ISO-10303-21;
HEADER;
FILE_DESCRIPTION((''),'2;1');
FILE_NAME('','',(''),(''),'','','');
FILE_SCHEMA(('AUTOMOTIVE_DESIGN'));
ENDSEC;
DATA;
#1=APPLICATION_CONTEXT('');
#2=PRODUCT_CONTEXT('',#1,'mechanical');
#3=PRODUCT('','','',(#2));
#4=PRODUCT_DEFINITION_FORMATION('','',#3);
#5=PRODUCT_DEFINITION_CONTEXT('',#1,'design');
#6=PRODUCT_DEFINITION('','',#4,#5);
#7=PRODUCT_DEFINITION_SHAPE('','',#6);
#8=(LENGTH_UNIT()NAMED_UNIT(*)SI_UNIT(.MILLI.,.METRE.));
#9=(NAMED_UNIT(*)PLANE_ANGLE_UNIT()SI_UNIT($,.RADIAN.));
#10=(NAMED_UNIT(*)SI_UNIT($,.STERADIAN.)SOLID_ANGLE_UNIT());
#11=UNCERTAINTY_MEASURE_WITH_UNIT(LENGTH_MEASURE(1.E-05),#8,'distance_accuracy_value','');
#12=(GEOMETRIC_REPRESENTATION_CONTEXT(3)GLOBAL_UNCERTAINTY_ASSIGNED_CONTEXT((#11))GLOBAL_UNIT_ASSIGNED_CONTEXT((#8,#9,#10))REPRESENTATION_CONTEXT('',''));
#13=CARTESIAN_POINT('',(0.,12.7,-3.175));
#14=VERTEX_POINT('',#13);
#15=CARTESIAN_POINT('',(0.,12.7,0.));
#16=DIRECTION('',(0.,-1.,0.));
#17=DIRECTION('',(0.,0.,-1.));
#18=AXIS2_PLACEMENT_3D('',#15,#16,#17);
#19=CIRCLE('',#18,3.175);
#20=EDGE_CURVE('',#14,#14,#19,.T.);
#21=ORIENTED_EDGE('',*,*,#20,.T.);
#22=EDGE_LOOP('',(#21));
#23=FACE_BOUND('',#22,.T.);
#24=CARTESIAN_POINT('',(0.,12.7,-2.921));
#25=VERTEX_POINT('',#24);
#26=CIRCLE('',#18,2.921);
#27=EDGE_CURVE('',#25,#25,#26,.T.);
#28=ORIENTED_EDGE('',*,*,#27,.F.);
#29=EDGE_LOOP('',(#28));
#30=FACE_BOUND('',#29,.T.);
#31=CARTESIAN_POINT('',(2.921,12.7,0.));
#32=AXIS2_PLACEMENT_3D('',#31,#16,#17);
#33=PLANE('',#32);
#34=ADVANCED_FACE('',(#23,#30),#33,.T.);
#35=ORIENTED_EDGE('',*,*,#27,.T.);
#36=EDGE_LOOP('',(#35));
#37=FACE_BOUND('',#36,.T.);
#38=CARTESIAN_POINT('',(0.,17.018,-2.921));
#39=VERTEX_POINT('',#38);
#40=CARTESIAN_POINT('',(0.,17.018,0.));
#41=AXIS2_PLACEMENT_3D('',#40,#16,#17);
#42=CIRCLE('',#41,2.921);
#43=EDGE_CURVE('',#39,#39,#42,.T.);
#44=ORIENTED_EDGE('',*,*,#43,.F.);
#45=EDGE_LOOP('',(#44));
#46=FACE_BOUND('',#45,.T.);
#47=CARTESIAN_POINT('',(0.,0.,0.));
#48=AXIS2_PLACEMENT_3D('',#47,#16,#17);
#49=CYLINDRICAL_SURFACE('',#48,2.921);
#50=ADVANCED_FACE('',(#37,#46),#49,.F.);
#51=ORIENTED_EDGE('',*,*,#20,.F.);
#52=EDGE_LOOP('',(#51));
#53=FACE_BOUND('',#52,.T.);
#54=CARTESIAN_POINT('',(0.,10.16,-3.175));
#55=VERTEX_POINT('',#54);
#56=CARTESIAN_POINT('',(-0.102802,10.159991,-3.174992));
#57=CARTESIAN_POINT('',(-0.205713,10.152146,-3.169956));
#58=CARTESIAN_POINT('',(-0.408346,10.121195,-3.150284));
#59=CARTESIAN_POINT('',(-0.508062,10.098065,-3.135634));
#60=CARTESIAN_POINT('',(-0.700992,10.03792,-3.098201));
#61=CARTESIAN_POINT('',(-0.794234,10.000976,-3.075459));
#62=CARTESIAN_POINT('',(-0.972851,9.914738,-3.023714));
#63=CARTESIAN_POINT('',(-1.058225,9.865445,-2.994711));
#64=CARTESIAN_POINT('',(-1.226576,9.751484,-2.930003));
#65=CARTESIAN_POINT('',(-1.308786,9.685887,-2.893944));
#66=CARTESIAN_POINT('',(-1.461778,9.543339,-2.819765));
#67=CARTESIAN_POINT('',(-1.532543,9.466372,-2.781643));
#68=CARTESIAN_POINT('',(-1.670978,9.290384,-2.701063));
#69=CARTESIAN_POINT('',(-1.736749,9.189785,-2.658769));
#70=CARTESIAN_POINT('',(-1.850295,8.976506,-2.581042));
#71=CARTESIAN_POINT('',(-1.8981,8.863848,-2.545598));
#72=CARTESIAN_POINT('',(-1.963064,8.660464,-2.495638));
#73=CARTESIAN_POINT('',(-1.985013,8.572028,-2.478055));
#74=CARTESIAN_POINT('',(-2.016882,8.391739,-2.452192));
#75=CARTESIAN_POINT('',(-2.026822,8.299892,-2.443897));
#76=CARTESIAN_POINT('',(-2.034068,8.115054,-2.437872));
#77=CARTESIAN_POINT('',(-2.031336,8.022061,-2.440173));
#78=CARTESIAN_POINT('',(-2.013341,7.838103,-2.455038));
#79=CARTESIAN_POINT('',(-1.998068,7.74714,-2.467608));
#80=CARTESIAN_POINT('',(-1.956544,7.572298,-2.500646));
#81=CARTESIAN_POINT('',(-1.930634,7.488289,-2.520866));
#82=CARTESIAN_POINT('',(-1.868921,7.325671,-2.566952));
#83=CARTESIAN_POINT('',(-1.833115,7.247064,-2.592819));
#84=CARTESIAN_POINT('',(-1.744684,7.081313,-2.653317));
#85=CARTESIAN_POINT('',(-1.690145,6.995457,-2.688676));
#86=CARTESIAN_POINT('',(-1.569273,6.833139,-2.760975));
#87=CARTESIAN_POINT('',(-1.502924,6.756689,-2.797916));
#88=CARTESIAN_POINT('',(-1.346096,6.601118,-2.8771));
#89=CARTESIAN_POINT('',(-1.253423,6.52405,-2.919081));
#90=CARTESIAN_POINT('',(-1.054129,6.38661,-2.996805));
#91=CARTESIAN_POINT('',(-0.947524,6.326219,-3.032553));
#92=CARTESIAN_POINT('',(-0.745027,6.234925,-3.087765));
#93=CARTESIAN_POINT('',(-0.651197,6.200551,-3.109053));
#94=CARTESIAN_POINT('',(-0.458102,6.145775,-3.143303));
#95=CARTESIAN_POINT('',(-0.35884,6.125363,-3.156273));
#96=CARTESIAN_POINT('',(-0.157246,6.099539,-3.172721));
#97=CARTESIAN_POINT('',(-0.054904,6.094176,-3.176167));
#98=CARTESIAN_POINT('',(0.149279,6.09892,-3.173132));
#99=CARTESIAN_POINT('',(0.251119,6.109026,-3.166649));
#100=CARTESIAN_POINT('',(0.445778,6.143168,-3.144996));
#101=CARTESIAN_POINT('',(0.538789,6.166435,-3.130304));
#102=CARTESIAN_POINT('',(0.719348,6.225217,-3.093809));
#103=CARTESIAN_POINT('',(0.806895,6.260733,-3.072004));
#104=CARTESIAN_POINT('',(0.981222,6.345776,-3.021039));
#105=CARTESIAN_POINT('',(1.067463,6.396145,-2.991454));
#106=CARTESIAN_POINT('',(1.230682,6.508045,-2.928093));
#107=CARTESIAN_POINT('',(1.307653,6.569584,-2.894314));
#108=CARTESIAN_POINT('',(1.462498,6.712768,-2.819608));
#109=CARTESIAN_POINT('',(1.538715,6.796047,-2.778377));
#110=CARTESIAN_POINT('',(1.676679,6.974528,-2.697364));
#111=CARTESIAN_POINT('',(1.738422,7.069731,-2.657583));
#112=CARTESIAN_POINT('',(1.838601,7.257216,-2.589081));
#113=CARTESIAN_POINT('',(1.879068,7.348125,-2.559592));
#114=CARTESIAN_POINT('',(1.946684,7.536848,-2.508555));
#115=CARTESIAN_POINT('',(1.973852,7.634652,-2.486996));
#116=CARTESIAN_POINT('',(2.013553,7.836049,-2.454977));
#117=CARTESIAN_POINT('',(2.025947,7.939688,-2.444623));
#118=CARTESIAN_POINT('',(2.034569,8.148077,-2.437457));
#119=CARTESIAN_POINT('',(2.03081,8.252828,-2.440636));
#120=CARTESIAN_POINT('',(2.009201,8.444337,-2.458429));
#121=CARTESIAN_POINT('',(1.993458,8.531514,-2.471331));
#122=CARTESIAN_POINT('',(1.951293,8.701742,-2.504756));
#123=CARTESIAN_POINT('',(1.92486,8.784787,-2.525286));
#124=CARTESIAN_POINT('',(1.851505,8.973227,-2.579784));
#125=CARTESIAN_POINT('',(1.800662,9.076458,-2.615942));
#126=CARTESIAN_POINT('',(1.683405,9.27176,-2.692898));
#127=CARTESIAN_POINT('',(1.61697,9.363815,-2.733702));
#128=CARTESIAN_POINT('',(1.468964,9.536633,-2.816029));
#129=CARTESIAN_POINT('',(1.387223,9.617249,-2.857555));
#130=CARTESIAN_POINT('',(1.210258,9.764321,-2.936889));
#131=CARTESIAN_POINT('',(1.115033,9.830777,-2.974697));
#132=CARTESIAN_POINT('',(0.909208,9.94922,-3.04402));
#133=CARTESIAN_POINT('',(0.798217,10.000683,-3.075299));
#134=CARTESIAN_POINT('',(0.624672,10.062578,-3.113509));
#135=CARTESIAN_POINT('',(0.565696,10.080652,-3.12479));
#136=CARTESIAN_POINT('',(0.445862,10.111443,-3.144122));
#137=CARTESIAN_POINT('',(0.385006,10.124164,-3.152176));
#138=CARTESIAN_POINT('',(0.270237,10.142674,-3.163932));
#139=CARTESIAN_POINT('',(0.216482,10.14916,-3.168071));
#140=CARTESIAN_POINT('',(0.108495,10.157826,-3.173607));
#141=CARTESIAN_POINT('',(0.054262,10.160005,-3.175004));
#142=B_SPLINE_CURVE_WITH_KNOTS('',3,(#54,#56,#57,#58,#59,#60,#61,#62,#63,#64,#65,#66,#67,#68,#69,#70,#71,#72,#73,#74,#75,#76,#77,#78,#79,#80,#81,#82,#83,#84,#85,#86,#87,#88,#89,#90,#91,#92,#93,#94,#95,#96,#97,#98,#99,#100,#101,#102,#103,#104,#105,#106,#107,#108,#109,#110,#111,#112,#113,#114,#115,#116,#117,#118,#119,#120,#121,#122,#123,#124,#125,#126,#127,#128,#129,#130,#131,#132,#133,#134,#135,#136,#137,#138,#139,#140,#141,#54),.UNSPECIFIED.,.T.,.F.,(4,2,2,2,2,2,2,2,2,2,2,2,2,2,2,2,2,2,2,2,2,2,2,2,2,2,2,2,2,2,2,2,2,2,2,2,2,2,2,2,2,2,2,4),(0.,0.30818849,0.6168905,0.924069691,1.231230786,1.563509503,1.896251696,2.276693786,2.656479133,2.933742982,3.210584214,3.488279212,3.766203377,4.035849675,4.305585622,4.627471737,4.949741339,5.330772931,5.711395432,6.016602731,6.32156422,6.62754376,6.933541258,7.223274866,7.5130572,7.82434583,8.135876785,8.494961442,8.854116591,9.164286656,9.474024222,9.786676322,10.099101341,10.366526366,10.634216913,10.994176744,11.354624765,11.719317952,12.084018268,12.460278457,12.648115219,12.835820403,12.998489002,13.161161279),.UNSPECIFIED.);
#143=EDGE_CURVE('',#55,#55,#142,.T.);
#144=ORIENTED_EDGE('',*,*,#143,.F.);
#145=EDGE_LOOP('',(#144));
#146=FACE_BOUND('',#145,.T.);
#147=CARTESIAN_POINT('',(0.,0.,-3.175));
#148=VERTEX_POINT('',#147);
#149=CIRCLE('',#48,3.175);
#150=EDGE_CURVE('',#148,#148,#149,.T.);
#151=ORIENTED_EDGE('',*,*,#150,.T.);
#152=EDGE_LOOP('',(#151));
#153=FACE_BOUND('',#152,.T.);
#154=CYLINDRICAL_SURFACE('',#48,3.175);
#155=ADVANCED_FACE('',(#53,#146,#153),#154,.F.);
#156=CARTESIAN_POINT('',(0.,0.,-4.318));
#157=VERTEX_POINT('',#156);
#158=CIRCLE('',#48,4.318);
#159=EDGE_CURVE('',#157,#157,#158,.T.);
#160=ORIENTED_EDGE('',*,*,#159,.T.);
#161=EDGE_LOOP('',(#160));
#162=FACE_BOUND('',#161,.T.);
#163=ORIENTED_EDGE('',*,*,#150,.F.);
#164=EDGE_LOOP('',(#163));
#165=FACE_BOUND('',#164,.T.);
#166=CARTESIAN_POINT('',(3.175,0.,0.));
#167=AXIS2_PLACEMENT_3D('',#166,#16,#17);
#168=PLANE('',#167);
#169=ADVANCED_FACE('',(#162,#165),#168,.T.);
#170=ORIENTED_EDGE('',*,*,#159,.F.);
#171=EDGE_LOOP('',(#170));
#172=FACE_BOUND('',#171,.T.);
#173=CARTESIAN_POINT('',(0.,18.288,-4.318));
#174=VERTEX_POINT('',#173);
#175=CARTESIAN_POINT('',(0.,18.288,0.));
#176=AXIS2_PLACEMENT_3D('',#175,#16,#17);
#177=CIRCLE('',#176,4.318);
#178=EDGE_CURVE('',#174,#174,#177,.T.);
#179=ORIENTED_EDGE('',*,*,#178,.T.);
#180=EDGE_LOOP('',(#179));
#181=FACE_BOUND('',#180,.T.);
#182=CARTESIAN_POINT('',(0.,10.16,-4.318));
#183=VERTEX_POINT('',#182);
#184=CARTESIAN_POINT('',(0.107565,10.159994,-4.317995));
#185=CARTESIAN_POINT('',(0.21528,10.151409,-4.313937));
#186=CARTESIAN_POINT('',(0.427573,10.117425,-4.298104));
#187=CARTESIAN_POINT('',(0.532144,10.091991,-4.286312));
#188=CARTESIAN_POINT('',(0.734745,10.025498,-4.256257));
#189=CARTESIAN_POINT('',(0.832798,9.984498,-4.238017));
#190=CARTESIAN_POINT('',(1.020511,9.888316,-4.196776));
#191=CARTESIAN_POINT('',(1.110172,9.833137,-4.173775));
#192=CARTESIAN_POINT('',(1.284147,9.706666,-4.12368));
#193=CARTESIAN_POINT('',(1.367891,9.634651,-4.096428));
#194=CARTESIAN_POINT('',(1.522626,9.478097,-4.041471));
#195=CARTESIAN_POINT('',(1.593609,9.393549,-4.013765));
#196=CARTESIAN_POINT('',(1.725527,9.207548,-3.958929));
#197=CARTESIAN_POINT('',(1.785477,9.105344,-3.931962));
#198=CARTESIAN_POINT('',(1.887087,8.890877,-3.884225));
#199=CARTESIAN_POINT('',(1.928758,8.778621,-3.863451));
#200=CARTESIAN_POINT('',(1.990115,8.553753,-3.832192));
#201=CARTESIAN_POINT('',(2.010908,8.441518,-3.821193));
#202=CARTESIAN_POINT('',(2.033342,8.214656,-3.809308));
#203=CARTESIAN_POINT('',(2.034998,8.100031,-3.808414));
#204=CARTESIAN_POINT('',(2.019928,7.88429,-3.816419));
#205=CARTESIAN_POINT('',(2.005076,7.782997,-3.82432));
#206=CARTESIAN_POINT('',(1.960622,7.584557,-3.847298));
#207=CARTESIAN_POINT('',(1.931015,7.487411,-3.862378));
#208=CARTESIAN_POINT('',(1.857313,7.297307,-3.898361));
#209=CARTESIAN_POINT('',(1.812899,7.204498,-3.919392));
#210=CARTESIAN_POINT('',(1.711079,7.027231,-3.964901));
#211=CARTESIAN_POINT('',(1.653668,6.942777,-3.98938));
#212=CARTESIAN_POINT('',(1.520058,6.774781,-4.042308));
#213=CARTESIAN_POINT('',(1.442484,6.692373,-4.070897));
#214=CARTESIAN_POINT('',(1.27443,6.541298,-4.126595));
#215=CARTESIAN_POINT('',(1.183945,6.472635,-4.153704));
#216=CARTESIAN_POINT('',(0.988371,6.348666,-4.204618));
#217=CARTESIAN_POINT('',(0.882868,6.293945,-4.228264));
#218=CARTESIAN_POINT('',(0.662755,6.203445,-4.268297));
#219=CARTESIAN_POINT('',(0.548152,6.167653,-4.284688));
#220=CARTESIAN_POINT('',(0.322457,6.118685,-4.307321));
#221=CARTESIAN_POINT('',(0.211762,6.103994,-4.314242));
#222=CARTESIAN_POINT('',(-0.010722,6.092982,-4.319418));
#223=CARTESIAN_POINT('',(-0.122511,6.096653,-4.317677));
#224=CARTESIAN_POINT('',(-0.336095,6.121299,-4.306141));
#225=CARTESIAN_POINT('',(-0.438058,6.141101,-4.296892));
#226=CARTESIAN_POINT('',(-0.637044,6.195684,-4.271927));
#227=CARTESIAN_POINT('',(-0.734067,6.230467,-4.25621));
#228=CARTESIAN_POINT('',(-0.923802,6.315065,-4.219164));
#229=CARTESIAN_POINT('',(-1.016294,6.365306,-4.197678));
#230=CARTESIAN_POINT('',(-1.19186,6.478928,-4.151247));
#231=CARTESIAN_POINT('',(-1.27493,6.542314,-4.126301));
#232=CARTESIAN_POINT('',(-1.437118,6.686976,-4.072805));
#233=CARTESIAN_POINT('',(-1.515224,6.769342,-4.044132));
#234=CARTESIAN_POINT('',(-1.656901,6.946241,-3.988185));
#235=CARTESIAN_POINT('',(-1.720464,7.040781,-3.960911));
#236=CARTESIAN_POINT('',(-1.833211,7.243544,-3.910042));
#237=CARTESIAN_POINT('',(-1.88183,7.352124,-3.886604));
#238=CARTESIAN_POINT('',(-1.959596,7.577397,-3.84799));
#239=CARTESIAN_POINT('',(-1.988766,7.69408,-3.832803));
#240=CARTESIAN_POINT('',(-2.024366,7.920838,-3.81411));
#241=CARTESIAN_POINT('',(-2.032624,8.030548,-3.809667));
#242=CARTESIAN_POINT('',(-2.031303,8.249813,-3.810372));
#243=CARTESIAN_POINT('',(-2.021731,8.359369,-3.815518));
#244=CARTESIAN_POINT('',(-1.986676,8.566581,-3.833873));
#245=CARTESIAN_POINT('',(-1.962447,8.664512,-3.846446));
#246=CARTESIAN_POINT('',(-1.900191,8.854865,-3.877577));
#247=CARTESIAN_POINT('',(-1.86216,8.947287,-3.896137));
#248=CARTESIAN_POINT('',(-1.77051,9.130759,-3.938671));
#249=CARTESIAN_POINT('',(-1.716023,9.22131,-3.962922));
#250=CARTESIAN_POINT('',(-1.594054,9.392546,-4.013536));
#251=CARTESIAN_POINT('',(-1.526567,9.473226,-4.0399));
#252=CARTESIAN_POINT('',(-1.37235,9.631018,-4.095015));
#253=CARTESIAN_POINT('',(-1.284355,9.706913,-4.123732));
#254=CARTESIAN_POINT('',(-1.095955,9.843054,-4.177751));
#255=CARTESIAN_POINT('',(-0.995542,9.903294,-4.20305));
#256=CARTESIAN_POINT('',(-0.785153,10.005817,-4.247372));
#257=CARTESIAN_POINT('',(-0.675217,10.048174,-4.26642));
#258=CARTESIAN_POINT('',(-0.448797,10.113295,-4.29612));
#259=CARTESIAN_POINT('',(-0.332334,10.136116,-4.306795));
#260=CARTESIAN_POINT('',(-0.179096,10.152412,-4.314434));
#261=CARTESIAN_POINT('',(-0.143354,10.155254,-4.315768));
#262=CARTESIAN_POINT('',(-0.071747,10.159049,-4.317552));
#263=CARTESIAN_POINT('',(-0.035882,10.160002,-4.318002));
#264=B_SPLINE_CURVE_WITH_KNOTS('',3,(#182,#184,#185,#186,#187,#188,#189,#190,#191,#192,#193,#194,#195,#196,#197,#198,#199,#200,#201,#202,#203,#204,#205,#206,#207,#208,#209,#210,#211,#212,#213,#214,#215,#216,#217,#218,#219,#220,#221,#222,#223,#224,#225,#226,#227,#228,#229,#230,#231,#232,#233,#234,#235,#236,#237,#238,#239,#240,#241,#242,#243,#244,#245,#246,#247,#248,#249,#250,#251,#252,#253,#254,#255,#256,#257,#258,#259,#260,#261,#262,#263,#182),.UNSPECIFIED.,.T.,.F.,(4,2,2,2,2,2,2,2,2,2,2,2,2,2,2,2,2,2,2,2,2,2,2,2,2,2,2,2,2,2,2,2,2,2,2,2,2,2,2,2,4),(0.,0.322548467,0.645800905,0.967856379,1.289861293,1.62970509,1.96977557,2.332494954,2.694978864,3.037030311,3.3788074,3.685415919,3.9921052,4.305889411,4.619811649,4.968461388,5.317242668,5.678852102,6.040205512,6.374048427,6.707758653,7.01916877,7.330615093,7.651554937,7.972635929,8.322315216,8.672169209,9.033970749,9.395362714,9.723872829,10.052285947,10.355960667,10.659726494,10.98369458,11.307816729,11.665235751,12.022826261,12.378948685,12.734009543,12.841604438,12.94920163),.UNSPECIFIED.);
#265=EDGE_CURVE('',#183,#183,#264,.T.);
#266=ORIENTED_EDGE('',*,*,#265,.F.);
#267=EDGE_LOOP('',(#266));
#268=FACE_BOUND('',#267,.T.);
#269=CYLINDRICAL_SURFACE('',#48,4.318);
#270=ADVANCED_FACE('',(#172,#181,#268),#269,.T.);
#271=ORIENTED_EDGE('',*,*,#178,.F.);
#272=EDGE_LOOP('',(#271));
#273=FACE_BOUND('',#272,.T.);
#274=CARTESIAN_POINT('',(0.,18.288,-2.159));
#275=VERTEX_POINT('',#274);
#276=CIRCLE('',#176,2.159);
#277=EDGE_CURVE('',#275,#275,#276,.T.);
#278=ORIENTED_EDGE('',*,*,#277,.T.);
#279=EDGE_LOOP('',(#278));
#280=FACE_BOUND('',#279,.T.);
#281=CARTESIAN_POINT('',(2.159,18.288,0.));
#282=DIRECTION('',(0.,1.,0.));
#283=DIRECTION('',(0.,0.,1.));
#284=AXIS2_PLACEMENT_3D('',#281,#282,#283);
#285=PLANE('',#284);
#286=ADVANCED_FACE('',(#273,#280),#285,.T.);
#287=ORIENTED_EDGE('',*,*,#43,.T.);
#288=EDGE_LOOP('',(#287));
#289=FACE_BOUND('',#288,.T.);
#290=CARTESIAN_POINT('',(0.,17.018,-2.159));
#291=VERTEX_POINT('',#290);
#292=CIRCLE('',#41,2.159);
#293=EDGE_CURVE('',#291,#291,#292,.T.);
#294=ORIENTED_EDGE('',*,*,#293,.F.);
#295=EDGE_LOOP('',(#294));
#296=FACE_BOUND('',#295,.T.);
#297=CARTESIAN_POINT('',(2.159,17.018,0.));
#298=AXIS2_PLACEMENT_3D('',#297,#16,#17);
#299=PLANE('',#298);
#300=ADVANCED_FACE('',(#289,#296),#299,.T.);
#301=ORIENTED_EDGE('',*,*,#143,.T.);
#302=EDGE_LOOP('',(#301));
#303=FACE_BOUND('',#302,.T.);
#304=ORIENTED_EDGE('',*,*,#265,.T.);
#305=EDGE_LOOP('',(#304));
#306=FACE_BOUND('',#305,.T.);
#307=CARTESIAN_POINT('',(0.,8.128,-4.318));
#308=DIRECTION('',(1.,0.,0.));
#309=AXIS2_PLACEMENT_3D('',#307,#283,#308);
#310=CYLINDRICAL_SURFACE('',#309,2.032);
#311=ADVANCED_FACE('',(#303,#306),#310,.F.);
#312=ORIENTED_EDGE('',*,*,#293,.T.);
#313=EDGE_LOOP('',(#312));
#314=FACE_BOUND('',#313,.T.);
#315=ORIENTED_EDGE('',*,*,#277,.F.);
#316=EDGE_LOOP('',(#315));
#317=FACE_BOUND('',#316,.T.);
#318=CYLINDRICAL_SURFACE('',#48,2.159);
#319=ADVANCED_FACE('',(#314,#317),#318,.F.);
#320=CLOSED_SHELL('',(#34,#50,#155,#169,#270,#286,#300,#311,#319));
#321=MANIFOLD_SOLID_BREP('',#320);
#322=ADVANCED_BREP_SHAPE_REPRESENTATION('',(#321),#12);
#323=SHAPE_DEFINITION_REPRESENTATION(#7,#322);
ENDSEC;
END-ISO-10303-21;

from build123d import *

# Parameters (mm, degrees)
SKETCH3_R          = 2.032
CUT_EXTRUDE1_DEPTH = 5.318


with BuildPart() as part:
    # Sketch2 → Revolve1 (revolve)
    with BuildSketch(Plane.XY):
        Polygon((3.175, 0), (4.318, 0), (4.318, 18.288), (2.159, 18.288), (2.159, 17.018), (2.921, 17.018), (2.921, 12.7), (3.175, 12.7), align=None)
    revolve(axis=Axis((0, 0, 0), (0, 1, 0)))

    # Sketch3 → Cut-Extrude1 (cut, through all)
    with BuildSketch(Plane.XY):
        with Locations((0, 8.128)):
            Circle(SKETCH3_R)
    extrude(amount=-CUT_EXTRUDE1_DEPTH, mode=Mode.SUBTRACT)


solid = part.part
